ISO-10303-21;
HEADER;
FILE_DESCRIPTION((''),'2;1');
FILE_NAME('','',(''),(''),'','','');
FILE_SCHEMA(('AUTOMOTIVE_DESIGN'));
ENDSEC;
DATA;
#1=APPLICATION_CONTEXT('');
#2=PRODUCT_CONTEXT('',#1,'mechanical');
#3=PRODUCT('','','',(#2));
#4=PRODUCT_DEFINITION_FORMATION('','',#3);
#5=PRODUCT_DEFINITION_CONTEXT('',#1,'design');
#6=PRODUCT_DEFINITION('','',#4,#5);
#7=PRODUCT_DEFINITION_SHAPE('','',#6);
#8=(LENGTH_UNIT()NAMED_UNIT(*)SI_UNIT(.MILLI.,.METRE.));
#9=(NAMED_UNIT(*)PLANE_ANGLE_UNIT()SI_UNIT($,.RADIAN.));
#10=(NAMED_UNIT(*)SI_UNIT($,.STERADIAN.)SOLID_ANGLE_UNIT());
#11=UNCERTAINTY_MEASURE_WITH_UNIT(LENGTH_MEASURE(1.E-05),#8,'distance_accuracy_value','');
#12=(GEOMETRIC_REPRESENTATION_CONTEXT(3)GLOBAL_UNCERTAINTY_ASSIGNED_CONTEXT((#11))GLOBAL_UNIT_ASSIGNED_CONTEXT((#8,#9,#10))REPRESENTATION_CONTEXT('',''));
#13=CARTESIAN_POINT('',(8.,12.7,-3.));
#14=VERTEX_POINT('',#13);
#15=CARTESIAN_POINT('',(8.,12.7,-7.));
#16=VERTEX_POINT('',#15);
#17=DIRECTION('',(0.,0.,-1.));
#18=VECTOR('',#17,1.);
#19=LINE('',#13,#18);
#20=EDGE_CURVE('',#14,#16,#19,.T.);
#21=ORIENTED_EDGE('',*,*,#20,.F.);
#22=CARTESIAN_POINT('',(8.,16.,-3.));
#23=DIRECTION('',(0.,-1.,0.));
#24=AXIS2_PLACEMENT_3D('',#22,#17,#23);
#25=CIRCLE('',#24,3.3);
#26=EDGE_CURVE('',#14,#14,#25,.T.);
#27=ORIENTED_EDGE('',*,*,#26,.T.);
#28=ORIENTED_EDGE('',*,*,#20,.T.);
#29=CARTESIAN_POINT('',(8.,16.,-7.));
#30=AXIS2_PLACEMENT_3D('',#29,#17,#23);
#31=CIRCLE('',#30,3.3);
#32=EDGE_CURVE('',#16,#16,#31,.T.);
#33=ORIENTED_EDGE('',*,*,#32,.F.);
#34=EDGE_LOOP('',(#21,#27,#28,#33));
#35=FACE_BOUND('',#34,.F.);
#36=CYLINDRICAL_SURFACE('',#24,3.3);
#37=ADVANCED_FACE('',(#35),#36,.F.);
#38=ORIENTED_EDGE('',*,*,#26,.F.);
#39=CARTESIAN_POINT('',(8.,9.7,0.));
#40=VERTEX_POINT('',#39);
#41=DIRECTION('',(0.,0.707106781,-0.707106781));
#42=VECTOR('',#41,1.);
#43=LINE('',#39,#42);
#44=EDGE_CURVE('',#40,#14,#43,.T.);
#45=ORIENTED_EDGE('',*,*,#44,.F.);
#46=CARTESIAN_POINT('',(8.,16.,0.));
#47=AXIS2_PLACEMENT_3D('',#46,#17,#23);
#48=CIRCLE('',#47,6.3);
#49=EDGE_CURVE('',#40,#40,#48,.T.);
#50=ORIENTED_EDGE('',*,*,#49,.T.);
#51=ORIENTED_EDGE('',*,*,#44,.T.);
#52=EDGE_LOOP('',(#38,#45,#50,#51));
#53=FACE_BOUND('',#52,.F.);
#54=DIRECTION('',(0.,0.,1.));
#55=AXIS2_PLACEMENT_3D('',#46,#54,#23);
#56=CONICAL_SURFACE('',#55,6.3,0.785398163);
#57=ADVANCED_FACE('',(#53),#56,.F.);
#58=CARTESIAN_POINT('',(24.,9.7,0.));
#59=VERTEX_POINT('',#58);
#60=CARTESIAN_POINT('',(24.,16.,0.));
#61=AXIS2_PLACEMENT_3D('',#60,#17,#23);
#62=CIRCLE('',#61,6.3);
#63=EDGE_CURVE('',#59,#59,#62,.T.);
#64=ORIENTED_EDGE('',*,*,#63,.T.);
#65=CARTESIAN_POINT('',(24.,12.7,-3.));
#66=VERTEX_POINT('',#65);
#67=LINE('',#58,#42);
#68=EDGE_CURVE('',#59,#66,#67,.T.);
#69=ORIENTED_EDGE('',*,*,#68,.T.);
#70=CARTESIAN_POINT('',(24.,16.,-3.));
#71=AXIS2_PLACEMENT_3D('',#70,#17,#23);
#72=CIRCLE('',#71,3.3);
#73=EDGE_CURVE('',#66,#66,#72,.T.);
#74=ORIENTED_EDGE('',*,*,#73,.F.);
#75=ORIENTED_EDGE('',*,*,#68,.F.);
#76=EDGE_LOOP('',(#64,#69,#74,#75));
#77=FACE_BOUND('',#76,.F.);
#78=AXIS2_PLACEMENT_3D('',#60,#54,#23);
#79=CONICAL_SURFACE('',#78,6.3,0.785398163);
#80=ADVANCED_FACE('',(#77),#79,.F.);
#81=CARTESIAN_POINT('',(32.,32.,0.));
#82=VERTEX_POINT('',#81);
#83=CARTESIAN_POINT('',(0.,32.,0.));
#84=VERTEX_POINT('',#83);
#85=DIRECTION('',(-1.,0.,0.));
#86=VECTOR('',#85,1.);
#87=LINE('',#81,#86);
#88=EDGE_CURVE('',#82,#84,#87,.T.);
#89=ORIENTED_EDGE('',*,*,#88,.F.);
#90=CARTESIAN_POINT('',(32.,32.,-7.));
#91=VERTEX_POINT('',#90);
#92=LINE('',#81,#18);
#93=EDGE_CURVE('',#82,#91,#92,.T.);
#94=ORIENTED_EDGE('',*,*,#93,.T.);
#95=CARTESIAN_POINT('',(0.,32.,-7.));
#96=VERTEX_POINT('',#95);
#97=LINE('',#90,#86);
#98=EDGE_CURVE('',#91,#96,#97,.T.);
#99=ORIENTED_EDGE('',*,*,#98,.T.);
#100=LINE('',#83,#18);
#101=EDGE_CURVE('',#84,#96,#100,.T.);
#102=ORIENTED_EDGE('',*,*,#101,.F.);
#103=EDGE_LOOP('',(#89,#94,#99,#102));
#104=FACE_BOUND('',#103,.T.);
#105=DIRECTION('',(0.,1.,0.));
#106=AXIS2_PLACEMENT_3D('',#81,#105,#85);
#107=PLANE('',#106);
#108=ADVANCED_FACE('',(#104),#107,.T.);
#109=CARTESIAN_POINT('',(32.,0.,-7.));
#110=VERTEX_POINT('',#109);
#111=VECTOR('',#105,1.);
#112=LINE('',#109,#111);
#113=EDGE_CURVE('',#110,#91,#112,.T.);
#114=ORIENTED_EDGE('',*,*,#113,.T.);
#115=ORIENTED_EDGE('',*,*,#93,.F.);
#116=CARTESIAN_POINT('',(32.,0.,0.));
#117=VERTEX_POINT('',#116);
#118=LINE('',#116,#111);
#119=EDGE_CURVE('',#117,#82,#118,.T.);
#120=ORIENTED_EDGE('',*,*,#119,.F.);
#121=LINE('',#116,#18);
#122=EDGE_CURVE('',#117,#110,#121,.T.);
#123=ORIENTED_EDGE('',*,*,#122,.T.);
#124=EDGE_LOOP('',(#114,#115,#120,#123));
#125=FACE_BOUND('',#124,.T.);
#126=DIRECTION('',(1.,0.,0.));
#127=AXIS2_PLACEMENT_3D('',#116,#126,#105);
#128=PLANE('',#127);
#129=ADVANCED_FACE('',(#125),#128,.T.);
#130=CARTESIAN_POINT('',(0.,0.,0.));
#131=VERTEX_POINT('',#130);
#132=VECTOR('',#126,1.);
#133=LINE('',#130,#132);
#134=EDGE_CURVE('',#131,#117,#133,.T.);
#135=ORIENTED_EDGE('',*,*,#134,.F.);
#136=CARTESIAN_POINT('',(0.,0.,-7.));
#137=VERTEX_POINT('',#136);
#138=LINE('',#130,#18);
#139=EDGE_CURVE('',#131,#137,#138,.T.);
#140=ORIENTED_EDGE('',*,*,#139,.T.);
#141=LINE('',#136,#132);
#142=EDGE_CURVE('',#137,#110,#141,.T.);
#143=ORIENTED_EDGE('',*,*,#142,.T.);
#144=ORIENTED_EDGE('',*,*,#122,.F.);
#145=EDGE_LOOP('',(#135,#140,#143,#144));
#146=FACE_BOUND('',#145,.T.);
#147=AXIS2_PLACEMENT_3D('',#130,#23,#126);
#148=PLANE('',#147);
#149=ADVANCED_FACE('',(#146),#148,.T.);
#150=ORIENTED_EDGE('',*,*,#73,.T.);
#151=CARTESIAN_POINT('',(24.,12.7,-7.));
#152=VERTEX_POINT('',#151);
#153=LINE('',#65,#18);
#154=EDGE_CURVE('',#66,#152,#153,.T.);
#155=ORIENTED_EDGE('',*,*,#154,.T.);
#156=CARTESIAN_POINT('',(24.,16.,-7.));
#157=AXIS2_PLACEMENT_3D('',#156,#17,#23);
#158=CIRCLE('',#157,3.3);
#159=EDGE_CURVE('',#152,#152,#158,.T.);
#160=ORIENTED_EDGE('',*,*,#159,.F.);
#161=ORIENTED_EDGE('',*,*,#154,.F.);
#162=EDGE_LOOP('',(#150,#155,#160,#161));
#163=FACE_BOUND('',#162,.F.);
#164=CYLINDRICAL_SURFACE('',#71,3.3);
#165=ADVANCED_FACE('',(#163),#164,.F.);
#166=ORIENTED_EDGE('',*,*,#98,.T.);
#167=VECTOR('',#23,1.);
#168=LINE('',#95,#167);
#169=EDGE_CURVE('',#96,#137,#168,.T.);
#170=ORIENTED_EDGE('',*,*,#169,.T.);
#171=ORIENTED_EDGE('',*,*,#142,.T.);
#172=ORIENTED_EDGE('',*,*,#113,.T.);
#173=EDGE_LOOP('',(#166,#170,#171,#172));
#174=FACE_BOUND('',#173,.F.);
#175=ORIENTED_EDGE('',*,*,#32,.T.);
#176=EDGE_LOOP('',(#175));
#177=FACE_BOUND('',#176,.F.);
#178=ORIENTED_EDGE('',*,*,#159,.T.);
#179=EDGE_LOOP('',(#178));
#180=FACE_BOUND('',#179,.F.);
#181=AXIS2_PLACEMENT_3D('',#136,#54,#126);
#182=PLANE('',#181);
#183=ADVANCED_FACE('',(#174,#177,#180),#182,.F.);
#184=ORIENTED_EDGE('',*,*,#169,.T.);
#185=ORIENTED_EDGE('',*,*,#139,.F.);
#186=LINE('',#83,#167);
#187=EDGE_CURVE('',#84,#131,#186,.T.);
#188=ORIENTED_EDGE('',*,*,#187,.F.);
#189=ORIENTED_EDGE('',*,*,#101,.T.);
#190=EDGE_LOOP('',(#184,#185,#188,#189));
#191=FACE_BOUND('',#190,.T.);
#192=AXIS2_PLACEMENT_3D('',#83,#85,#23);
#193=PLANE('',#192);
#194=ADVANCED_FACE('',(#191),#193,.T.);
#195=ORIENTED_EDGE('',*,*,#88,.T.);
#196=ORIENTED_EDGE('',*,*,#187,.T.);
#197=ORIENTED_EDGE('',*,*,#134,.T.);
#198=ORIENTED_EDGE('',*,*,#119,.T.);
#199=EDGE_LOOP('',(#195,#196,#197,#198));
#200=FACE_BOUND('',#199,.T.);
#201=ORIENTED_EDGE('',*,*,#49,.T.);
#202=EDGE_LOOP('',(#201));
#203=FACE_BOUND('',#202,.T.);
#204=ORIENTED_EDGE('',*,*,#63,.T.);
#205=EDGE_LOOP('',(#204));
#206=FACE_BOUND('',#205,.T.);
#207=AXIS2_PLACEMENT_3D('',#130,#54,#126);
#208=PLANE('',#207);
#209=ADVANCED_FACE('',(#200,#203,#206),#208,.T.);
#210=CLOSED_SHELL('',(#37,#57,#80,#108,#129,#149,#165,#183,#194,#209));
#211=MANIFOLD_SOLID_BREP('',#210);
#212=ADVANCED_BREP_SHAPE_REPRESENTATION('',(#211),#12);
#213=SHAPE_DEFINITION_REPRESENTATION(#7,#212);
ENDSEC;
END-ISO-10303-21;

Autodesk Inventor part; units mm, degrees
ref_plane "YZ Plane" through (0, 0, 0) normal (1, 0, 0) x (0, 1, 0)
ref_plane "XZ Plane" through (0, 0, 0) normal (0, 1, 0) x (-1, 0, 0)
ref_plane "XY Plane" through (0, 0, 0) normal (0, 0, 1) x (1, 0, 0)
sketch "Esboço1" plane through (0, 0, 0) normal (0, 0, 1) x (1, 0, 0)
  line L0 (0, 0) -> (32, 0)
  line L1 (32, 0) -> (32, 32)
  line L2 (32, 32) -> (0, 32)
  line L3 (0, 32) -> (0, 0)
  line L4 (8, 16) -> (24, 16)
  dimension "d0" = 32
  dimension "d1" = 32
  dimension "d3" = 16
extrude "Extrusão1" add sketch "Esboço1" against normal blind 7
hole "Furo1" at (8, 16, 0) at (24, 16, 0) direction (0, 0, -1) diameter 6.6 end through all countersink diameter 12.6 countersink angle 90
properties part number "grampo_trava"
